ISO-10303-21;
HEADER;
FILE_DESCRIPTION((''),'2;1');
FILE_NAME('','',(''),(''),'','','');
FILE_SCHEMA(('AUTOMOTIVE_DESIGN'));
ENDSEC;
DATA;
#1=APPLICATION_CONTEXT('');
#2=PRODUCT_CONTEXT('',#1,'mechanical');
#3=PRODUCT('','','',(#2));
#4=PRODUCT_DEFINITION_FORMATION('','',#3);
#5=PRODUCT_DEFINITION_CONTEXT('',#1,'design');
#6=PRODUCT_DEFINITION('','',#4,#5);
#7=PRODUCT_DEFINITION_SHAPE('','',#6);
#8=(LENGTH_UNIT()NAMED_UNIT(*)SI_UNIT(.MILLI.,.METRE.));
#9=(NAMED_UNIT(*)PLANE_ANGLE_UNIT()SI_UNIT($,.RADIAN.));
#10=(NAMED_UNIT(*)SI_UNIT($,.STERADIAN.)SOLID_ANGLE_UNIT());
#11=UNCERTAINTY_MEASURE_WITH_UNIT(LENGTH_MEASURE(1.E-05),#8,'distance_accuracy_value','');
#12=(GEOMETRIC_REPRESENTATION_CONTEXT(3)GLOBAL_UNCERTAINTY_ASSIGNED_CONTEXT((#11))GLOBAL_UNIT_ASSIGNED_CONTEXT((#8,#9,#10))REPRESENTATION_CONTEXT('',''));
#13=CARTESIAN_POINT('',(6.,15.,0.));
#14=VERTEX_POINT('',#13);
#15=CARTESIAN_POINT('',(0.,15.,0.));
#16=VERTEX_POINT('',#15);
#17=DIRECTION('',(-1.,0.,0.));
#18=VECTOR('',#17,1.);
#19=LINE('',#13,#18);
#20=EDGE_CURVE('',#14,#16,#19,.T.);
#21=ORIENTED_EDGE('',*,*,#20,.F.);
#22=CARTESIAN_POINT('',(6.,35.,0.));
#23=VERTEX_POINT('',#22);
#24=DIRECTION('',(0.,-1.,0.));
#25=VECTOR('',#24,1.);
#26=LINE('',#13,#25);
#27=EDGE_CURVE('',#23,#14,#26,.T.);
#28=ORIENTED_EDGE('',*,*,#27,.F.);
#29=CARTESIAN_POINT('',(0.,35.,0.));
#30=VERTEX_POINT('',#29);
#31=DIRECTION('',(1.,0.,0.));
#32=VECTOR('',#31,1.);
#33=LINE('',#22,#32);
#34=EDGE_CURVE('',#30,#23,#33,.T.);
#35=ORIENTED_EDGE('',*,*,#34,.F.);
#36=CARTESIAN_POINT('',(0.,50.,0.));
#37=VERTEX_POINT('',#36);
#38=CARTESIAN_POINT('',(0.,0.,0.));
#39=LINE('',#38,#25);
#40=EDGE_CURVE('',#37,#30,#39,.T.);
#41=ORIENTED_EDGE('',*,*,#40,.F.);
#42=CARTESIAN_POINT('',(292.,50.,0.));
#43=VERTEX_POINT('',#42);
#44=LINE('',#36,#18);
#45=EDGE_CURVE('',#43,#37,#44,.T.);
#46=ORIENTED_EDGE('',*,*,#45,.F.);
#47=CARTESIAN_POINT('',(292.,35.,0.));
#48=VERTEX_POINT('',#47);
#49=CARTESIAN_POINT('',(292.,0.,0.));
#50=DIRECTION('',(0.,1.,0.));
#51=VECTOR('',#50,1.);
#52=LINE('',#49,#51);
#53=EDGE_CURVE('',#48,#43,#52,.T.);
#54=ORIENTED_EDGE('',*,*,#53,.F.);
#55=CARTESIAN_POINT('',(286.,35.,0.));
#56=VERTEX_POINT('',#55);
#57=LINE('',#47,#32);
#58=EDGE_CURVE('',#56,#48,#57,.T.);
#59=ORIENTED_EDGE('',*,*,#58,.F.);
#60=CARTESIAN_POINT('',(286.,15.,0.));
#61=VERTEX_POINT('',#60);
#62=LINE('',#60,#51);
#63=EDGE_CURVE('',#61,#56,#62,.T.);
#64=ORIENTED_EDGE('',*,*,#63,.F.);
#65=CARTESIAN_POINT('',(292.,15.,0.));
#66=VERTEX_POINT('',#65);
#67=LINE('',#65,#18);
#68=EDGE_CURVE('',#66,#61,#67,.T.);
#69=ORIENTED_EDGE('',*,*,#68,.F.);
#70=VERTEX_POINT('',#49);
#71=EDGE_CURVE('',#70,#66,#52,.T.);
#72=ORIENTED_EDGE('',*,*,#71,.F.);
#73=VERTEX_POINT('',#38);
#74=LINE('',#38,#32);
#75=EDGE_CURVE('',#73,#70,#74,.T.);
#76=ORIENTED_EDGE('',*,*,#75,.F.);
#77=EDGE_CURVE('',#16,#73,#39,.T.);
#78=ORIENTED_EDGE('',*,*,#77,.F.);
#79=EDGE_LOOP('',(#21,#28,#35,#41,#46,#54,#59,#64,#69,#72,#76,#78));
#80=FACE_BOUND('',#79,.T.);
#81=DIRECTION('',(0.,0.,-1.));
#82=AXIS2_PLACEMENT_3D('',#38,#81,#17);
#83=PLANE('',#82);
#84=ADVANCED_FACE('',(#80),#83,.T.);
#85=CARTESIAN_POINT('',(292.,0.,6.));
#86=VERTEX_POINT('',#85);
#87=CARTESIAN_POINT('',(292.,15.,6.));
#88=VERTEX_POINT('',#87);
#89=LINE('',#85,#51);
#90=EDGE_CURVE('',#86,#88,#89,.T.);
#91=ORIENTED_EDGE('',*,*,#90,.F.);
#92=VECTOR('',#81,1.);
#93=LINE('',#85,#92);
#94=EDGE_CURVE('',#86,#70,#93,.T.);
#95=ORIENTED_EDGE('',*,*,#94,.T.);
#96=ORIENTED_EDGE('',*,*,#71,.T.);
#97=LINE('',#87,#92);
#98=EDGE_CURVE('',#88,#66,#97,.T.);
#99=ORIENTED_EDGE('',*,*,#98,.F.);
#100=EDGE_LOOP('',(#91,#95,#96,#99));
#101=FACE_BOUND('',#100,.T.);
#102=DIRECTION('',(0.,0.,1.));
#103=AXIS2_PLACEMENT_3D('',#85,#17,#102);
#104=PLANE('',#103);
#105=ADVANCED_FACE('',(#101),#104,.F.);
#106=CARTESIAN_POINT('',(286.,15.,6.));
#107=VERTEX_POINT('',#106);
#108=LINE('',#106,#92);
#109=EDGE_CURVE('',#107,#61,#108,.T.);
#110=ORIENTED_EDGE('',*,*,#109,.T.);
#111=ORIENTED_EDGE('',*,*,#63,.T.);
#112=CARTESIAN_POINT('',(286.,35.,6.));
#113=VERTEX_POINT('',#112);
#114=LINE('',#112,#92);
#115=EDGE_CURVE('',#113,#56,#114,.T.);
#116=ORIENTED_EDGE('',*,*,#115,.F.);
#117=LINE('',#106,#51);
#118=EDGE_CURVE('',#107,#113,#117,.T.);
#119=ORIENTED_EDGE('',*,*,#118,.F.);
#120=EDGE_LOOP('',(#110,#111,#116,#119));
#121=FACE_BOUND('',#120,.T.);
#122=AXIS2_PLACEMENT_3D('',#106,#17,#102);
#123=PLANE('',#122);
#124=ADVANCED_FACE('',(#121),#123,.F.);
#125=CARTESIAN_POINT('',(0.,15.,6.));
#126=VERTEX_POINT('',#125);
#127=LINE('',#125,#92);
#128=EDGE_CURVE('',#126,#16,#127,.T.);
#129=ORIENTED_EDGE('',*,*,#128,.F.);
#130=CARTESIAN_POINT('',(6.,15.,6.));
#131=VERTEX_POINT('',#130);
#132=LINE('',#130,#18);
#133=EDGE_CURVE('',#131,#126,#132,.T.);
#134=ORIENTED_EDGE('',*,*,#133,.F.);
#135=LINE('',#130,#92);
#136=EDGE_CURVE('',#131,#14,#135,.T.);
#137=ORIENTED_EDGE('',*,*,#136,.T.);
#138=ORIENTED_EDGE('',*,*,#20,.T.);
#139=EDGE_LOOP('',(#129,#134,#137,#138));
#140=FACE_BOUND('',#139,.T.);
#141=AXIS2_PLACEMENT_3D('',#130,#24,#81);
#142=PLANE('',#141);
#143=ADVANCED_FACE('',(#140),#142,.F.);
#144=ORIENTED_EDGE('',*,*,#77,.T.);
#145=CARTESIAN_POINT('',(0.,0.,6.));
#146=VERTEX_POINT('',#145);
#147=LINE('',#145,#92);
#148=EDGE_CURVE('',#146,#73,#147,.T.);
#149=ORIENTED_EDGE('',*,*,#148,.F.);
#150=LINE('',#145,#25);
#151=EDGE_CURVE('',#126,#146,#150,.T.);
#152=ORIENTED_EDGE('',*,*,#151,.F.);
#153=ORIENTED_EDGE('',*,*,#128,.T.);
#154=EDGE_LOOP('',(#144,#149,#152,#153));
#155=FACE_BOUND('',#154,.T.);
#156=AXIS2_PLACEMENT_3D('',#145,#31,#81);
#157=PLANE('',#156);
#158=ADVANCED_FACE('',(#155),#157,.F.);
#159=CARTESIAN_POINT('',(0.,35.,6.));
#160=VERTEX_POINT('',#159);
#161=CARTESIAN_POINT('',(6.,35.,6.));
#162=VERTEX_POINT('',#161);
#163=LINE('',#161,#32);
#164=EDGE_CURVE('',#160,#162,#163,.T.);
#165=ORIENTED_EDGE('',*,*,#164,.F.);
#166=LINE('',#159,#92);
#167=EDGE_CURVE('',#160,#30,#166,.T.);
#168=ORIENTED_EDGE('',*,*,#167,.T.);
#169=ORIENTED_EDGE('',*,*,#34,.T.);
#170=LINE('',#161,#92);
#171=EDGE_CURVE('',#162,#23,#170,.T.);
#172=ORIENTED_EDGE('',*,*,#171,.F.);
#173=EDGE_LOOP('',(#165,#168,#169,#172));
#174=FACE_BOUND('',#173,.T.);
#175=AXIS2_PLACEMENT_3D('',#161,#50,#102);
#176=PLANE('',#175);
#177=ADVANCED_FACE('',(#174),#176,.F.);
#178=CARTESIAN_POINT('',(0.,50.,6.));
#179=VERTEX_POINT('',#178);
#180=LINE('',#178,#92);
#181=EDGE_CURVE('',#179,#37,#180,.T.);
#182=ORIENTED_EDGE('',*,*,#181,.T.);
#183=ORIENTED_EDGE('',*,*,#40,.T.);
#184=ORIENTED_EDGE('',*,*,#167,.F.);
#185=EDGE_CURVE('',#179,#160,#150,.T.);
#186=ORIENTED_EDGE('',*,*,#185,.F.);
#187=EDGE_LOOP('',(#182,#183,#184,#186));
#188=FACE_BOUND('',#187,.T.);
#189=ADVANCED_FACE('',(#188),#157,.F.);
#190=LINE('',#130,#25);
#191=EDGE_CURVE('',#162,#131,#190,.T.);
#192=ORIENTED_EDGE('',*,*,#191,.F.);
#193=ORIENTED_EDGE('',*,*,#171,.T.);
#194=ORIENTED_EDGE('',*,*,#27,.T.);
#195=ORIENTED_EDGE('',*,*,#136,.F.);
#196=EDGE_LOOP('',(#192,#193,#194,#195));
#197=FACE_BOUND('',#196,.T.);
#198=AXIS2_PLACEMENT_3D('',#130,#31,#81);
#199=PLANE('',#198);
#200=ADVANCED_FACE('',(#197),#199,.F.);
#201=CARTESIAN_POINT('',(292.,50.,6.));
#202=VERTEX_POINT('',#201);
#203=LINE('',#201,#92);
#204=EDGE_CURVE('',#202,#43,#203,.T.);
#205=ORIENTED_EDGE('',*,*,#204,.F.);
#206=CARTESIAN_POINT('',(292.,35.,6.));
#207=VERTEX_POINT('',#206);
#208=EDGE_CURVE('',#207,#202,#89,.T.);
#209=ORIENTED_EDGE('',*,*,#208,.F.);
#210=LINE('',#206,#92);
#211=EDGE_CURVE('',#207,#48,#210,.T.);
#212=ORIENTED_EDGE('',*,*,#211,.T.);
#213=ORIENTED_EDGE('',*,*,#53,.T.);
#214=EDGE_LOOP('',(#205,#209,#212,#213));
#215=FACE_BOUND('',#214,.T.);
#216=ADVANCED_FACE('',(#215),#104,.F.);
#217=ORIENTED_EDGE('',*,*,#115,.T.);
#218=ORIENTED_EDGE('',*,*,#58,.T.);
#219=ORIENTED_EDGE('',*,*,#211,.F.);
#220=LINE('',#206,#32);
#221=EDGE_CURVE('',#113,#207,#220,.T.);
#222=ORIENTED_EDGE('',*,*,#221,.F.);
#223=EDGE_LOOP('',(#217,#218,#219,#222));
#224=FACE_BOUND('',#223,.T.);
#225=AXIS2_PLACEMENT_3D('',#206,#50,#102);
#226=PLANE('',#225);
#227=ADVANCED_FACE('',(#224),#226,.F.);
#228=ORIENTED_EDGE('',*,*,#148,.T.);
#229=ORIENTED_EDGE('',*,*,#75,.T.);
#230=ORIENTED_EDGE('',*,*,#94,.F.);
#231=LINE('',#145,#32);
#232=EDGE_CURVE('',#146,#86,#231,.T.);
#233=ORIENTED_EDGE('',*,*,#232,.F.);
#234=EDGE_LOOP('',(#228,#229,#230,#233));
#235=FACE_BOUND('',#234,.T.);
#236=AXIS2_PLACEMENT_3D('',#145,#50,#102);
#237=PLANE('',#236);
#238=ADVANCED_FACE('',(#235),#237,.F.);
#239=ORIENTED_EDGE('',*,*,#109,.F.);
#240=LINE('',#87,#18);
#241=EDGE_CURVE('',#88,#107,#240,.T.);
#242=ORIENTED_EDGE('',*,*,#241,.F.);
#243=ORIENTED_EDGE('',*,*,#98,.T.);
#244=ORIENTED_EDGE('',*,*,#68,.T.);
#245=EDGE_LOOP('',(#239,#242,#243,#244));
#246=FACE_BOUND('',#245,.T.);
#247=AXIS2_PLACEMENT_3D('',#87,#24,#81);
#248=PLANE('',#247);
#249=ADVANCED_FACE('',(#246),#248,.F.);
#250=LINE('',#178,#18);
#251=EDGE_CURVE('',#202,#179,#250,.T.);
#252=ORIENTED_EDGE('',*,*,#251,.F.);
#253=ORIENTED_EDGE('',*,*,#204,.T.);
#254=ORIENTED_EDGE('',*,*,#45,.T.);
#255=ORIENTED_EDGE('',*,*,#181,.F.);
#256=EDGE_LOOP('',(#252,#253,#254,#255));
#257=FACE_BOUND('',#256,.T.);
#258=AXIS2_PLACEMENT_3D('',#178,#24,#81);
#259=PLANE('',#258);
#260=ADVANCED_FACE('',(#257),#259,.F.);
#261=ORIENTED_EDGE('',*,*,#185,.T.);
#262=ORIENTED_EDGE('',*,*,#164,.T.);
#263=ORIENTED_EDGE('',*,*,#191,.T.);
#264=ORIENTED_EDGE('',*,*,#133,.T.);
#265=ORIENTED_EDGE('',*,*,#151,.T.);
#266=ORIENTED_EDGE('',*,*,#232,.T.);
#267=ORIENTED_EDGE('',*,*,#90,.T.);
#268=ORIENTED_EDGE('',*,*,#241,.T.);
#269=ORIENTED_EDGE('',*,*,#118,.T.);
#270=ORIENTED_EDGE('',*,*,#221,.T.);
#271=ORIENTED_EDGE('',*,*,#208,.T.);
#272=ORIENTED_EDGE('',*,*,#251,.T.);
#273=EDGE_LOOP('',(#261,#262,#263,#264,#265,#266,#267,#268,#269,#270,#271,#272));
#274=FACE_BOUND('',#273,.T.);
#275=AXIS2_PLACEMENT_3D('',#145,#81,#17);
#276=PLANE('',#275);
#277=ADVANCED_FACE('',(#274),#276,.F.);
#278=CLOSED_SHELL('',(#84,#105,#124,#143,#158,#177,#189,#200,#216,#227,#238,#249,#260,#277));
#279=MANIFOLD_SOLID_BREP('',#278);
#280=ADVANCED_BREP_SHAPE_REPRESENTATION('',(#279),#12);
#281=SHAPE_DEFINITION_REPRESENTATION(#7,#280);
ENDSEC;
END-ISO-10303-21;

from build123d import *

# Parameters (mm, degrees)
ESBO_O1_W                = 292
ESBO_O1_H                = 50
RESSALTO_EXTRUS_O1_DEPTH = 6
ESBO_O2_W                = 6
ESBO_O2_H                = 20
CORTE_EXTRUS_O1_DEPTH    = 297.310647801


with BuildPart() as part:
    # Esboço1 → Ressalto-extrusão1 (new body)
    with BuildSketch(Plane.XY):
        with Locations((146, 25)):
            Rectangle(ESBO_O1_W, ESBO_O1_H)
    extrude(amount=RESSALTO_EXTRUS_O1_DEPTH)

    # Esboço2 → Corte-extrusão1 (cut, through all)
    with BuildSketch(Plane(origin=(0, 0, 0), x_dir=(-1, 0, 0), z_dir=(0, 0, -1))):
        with Locations((-3, 25)):
            Rectangle(ESBO_O2_W, ESBO_O2_H)
        with Locations((-289, 25)):
            Rectangle(ESBO_O2_W, ESBO_O2_H)
    extrude(amount=-CORTE_EXTRUS_O1_DEPTH, mode=Mode.SUBTRACT)


solid = part.part
